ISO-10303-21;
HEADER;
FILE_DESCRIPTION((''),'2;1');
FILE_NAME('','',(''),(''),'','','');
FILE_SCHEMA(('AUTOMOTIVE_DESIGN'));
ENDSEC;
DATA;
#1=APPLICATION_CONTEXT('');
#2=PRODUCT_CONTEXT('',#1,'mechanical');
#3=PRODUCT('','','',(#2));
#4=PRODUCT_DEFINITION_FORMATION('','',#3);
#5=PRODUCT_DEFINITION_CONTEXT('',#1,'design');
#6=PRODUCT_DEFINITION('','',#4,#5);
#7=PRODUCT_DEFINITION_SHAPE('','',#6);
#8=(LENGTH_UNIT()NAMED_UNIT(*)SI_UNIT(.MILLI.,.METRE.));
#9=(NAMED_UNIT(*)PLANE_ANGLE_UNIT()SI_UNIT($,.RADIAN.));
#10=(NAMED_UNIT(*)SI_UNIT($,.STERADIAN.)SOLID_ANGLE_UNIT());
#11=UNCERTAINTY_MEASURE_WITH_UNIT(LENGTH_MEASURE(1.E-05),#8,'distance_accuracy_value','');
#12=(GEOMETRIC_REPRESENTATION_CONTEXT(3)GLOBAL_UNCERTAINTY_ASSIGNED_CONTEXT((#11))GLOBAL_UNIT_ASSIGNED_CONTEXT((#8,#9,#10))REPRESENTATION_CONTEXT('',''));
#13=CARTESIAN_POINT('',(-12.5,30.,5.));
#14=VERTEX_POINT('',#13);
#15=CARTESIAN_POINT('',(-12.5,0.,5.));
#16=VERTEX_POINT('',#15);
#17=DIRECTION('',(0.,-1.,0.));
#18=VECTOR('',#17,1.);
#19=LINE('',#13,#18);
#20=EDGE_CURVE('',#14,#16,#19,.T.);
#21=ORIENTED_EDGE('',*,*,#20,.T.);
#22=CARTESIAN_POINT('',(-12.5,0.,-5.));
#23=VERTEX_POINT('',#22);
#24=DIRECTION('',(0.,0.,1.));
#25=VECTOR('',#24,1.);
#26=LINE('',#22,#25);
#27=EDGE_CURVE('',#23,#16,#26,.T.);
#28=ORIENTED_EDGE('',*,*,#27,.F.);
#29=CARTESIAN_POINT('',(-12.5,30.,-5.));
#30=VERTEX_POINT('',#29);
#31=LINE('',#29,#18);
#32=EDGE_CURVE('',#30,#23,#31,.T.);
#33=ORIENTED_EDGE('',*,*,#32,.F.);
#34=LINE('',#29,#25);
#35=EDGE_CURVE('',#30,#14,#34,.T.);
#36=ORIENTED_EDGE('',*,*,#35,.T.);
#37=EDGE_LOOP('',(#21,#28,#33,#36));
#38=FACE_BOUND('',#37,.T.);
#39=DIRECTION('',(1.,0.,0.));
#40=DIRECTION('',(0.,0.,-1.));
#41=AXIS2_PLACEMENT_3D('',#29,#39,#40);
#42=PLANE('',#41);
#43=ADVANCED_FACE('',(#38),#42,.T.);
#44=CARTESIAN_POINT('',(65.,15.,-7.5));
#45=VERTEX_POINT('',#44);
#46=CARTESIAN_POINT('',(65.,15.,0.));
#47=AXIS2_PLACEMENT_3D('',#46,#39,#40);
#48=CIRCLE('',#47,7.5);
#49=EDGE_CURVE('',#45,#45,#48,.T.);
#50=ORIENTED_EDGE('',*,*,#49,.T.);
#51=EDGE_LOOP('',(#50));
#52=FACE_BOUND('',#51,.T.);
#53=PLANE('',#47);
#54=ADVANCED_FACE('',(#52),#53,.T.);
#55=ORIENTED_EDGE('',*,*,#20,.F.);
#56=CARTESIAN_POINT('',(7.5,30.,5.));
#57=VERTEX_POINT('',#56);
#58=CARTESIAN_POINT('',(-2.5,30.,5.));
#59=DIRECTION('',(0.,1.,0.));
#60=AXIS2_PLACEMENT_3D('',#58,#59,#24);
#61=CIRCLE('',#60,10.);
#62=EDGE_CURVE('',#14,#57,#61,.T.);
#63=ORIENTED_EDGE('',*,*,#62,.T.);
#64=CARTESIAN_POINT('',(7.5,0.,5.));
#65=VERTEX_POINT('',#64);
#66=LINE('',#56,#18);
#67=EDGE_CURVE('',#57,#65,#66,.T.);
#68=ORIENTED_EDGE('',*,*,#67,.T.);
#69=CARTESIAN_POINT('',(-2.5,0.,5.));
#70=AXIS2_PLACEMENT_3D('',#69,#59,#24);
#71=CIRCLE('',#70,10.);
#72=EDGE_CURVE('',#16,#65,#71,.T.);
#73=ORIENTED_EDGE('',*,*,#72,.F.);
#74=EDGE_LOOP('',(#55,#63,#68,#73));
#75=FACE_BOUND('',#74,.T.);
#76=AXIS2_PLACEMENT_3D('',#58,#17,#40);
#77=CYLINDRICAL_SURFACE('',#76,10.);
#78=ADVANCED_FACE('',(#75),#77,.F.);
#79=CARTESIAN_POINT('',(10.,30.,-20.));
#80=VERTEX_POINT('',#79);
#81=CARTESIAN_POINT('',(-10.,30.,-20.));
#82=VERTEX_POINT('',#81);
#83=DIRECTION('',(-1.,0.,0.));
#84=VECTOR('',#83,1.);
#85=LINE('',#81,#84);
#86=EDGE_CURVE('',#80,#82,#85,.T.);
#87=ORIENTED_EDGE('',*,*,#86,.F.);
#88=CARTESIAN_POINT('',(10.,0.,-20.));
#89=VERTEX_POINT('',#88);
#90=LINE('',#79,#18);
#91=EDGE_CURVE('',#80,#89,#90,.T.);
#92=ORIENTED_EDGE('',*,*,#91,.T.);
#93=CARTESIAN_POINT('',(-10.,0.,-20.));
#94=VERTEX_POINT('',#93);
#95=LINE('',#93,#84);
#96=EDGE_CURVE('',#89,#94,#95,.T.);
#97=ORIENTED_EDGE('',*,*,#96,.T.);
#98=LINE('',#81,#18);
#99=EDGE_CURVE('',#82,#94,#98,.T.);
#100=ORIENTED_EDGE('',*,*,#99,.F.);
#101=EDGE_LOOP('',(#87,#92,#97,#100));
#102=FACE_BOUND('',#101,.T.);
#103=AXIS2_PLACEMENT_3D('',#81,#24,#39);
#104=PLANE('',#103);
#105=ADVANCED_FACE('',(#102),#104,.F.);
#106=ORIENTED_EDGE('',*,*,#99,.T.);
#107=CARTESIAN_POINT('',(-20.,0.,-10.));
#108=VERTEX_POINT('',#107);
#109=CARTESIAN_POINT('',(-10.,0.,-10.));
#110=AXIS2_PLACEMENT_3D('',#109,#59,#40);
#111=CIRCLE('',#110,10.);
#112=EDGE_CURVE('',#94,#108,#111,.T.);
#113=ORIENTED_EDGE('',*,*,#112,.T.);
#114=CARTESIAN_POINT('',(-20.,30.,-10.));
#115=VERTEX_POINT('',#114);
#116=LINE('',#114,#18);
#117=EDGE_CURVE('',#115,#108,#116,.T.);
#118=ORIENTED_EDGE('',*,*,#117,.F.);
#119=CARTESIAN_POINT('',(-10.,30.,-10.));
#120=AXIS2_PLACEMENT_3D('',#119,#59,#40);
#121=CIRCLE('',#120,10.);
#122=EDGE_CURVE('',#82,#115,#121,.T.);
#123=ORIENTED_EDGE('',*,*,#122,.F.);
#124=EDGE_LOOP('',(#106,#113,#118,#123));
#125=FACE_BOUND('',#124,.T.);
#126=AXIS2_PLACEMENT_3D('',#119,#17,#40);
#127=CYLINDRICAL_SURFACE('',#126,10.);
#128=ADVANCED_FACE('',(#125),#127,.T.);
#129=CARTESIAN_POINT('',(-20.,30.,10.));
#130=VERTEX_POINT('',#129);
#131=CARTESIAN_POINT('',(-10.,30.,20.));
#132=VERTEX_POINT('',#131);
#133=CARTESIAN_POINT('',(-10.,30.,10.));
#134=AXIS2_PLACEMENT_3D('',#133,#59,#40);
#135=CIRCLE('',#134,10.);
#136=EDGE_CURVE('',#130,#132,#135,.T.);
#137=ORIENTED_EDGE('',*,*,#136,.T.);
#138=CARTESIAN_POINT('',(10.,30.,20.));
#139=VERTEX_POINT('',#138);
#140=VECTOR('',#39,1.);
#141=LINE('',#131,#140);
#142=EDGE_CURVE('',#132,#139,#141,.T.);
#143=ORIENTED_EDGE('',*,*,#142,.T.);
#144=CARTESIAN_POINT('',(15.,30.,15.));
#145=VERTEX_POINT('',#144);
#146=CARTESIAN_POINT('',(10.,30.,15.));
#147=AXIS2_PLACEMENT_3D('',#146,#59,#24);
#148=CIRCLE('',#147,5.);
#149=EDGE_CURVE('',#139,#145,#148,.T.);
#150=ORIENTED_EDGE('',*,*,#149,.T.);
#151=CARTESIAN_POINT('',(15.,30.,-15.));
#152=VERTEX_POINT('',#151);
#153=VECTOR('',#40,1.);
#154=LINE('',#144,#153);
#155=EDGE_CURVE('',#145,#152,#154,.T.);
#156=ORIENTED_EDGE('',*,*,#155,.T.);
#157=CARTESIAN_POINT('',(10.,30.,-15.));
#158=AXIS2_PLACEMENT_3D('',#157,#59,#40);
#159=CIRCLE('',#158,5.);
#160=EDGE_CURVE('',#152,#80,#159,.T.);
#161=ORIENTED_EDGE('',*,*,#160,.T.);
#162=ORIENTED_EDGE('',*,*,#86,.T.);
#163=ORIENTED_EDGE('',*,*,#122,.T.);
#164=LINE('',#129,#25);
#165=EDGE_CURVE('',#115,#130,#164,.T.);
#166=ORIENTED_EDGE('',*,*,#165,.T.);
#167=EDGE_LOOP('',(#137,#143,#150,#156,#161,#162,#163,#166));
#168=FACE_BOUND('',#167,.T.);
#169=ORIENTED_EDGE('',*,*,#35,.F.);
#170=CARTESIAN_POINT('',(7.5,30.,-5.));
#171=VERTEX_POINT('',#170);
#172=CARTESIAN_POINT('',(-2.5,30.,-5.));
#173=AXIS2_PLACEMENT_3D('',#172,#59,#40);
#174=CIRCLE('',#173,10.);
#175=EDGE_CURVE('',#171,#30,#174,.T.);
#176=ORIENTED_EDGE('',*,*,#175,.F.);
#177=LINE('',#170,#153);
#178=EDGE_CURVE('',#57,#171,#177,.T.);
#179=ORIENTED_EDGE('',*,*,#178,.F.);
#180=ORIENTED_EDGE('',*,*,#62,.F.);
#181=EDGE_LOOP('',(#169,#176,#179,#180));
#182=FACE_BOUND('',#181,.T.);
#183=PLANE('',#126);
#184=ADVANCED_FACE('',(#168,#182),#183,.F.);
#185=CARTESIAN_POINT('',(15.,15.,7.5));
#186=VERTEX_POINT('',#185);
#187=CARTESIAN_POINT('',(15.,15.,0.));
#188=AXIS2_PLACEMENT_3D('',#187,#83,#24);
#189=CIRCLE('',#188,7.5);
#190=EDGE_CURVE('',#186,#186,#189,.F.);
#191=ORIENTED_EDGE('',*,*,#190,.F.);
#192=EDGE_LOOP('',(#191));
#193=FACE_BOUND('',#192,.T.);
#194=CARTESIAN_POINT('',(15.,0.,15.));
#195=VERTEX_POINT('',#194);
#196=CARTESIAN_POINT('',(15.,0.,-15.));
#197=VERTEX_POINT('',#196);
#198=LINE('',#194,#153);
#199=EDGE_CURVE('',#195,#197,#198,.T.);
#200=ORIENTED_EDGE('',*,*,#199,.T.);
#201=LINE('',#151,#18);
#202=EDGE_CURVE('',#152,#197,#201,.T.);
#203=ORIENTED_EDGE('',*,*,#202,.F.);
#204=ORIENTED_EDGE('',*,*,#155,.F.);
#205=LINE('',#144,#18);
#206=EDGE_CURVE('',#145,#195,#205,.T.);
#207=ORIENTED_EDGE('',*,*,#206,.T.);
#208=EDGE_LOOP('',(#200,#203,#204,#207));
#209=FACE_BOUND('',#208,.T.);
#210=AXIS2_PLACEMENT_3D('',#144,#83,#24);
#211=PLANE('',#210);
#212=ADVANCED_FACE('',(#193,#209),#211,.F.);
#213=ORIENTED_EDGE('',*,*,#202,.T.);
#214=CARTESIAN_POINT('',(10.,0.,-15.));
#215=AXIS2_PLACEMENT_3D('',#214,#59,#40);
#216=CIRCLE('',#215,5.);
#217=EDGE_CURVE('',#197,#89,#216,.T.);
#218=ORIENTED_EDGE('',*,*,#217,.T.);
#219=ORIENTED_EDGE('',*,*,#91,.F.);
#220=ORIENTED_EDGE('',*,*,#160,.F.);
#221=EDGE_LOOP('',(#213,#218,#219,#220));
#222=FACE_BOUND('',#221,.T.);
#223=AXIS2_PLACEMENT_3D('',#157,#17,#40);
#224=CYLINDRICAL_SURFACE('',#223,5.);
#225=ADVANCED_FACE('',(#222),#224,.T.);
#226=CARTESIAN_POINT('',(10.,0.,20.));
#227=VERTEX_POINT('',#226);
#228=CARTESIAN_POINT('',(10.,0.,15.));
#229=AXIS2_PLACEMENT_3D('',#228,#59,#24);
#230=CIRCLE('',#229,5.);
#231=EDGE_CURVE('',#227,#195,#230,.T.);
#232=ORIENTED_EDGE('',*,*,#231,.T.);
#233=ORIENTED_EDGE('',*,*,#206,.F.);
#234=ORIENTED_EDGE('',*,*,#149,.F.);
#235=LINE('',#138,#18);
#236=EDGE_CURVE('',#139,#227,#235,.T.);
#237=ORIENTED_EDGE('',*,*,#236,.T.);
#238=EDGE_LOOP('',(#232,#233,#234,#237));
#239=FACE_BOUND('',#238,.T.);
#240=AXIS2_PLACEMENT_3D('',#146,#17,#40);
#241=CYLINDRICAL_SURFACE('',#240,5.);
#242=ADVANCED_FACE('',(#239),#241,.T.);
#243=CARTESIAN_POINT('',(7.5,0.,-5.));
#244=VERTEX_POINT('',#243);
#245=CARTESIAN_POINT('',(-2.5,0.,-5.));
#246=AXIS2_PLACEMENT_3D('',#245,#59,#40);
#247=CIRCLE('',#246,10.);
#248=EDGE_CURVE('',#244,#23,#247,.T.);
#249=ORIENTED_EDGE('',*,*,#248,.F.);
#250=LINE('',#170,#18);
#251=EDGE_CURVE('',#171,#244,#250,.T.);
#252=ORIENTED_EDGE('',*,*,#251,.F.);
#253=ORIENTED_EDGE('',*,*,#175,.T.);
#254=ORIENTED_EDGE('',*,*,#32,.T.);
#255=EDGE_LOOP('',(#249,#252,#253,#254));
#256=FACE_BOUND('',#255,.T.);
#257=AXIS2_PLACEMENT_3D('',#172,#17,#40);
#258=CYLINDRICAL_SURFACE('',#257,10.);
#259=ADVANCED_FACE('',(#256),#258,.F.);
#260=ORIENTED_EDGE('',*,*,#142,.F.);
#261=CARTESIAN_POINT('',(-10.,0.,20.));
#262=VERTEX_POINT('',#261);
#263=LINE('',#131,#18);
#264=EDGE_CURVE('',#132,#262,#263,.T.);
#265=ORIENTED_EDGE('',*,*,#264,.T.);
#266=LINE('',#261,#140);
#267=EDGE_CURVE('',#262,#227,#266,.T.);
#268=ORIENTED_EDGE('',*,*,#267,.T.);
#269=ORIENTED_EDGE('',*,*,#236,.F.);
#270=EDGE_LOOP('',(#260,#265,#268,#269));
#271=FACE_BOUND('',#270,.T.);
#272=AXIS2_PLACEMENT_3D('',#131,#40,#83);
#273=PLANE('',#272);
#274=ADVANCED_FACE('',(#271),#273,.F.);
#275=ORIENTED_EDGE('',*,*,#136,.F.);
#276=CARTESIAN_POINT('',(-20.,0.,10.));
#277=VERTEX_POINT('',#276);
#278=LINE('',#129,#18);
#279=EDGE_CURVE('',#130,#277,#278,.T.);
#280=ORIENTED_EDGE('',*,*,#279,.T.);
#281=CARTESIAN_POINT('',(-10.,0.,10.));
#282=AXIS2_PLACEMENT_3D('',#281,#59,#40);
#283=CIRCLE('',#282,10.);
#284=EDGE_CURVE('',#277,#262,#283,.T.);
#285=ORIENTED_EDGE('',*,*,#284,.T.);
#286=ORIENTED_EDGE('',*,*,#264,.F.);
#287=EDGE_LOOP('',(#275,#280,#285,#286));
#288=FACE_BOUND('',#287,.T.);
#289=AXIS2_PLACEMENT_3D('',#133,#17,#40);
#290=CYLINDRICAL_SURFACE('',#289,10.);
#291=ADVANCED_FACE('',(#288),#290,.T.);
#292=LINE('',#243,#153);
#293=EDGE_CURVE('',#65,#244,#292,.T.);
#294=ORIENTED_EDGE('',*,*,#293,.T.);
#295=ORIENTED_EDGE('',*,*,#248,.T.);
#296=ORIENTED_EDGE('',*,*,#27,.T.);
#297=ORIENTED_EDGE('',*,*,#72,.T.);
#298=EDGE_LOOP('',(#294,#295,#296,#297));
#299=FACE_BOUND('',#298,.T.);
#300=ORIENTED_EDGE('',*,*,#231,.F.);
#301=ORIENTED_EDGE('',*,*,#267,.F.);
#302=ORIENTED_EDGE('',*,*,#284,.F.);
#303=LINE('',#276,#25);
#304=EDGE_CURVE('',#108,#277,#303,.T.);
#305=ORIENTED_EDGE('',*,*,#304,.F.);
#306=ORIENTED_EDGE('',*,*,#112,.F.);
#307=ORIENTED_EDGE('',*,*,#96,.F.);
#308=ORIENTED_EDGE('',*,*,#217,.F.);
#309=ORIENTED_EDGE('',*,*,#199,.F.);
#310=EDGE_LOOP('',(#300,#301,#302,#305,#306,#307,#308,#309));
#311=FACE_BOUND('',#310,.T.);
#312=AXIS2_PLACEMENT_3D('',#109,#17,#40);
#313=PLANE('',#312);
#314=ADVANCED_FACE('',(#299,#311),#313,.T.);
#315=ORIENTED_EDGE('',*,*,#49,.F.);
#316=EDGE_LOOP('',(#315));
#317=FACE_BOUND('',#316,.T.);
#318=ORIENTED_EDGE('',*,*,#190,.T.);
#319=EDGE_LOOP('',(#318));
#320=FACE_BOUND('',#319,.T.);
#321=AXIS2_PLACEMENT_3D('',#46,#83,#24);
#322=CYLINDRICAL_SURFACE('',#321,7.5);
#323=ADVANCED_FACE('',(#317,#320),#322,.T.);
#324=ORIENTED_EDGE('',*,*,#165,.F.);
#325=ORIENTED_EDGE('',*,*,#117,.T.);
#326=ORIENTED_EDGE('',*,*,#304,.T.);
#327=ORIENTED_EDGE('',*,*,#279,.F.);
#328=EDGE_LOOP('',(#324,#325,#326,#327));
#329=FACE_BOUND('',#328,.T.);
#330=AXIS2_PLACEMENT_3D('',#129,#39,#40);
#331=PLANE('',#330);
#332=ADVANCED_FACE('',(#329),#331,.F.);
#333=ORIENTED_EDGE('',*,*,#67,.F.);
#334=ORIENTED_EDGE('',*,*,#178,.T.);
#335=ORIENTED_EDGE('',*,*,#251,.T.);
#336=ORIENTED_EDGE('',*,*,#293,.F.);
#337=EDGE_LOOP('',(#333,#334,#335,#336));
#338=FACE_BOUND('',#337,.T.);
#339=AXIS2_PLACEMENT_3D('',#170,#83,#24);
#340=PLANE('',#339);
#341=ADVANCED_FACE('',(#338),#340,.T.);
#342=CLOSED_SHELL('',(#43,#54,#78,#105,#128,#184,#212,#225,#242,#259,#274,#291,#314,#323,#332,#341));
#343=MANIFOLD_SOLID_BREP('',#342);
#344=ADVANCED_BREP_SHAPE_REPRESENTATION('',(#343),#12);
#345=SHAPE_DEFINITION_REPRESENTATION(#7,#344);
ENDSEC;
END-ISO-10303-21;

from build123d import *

# Parameters (mm, degrees)
BOSS_EXTRUDE1_DEPTH = 30
SKETCH2_R           = 7.5
BOSS_EXTRUDE2_DEPTH = 50


with BuildPart() as part:
    # Sketch1 → Boss-Extrude1 (new body)
    with BuildSketch(Plane(origin=(0, 0, 0), x_dir=(1, 0, 0), z_dir=(0, 1, 0))):
        with BuildLine():
            Line((-10, 20), (10, 20))
            ThreePointArc((10, 20), (13.535533906, 18.535533906), (15, 15))
            Line((15, 15), (15, -15))
            ThreePointArc((15, -15), (13.535533906, -18.535533906), (10, -20))
            Line((10, -20), (-10, -20))
            ThreePointArc((-10, -20), (-17.071067812, -17.071067812), (-20, -10))
            Line((-20, -10), (-20, 10))
            ThreePointArc((-20, 10), (-17.071067812, 17.071067812), (-10, 20))
        make_face()
        with BuildLine():
            Line((-12.5, 5), (-12.5, -5))
            ThreePointArc((-12.5, -5), (-2.5, -15), (7.5, -5))
            Line((7.5, -5), (7.5, 5))
            ThreePointArc((7.5, 5), (-2.5, 15), (-12.5, 5))
        make_face(mode=Mode.SUBTRACT)
    extrude(amount=BOSS_EXTRUDE1_DEPTH)

    # Sketch2 → Boss-Extrude2 (add)
    with BuildSketch(Plane(origin=(15, 0, 0), x_dir=(0, 0, -1), z_dir=(1, 0, 0))):
        with Locations(Location((0, 15, 0), (0, 0, 180))):
            Circle(SKETCH2_R)
    extrude(amount=BOSS_EXTRUDE2_DEPTH)


solid = part.part
